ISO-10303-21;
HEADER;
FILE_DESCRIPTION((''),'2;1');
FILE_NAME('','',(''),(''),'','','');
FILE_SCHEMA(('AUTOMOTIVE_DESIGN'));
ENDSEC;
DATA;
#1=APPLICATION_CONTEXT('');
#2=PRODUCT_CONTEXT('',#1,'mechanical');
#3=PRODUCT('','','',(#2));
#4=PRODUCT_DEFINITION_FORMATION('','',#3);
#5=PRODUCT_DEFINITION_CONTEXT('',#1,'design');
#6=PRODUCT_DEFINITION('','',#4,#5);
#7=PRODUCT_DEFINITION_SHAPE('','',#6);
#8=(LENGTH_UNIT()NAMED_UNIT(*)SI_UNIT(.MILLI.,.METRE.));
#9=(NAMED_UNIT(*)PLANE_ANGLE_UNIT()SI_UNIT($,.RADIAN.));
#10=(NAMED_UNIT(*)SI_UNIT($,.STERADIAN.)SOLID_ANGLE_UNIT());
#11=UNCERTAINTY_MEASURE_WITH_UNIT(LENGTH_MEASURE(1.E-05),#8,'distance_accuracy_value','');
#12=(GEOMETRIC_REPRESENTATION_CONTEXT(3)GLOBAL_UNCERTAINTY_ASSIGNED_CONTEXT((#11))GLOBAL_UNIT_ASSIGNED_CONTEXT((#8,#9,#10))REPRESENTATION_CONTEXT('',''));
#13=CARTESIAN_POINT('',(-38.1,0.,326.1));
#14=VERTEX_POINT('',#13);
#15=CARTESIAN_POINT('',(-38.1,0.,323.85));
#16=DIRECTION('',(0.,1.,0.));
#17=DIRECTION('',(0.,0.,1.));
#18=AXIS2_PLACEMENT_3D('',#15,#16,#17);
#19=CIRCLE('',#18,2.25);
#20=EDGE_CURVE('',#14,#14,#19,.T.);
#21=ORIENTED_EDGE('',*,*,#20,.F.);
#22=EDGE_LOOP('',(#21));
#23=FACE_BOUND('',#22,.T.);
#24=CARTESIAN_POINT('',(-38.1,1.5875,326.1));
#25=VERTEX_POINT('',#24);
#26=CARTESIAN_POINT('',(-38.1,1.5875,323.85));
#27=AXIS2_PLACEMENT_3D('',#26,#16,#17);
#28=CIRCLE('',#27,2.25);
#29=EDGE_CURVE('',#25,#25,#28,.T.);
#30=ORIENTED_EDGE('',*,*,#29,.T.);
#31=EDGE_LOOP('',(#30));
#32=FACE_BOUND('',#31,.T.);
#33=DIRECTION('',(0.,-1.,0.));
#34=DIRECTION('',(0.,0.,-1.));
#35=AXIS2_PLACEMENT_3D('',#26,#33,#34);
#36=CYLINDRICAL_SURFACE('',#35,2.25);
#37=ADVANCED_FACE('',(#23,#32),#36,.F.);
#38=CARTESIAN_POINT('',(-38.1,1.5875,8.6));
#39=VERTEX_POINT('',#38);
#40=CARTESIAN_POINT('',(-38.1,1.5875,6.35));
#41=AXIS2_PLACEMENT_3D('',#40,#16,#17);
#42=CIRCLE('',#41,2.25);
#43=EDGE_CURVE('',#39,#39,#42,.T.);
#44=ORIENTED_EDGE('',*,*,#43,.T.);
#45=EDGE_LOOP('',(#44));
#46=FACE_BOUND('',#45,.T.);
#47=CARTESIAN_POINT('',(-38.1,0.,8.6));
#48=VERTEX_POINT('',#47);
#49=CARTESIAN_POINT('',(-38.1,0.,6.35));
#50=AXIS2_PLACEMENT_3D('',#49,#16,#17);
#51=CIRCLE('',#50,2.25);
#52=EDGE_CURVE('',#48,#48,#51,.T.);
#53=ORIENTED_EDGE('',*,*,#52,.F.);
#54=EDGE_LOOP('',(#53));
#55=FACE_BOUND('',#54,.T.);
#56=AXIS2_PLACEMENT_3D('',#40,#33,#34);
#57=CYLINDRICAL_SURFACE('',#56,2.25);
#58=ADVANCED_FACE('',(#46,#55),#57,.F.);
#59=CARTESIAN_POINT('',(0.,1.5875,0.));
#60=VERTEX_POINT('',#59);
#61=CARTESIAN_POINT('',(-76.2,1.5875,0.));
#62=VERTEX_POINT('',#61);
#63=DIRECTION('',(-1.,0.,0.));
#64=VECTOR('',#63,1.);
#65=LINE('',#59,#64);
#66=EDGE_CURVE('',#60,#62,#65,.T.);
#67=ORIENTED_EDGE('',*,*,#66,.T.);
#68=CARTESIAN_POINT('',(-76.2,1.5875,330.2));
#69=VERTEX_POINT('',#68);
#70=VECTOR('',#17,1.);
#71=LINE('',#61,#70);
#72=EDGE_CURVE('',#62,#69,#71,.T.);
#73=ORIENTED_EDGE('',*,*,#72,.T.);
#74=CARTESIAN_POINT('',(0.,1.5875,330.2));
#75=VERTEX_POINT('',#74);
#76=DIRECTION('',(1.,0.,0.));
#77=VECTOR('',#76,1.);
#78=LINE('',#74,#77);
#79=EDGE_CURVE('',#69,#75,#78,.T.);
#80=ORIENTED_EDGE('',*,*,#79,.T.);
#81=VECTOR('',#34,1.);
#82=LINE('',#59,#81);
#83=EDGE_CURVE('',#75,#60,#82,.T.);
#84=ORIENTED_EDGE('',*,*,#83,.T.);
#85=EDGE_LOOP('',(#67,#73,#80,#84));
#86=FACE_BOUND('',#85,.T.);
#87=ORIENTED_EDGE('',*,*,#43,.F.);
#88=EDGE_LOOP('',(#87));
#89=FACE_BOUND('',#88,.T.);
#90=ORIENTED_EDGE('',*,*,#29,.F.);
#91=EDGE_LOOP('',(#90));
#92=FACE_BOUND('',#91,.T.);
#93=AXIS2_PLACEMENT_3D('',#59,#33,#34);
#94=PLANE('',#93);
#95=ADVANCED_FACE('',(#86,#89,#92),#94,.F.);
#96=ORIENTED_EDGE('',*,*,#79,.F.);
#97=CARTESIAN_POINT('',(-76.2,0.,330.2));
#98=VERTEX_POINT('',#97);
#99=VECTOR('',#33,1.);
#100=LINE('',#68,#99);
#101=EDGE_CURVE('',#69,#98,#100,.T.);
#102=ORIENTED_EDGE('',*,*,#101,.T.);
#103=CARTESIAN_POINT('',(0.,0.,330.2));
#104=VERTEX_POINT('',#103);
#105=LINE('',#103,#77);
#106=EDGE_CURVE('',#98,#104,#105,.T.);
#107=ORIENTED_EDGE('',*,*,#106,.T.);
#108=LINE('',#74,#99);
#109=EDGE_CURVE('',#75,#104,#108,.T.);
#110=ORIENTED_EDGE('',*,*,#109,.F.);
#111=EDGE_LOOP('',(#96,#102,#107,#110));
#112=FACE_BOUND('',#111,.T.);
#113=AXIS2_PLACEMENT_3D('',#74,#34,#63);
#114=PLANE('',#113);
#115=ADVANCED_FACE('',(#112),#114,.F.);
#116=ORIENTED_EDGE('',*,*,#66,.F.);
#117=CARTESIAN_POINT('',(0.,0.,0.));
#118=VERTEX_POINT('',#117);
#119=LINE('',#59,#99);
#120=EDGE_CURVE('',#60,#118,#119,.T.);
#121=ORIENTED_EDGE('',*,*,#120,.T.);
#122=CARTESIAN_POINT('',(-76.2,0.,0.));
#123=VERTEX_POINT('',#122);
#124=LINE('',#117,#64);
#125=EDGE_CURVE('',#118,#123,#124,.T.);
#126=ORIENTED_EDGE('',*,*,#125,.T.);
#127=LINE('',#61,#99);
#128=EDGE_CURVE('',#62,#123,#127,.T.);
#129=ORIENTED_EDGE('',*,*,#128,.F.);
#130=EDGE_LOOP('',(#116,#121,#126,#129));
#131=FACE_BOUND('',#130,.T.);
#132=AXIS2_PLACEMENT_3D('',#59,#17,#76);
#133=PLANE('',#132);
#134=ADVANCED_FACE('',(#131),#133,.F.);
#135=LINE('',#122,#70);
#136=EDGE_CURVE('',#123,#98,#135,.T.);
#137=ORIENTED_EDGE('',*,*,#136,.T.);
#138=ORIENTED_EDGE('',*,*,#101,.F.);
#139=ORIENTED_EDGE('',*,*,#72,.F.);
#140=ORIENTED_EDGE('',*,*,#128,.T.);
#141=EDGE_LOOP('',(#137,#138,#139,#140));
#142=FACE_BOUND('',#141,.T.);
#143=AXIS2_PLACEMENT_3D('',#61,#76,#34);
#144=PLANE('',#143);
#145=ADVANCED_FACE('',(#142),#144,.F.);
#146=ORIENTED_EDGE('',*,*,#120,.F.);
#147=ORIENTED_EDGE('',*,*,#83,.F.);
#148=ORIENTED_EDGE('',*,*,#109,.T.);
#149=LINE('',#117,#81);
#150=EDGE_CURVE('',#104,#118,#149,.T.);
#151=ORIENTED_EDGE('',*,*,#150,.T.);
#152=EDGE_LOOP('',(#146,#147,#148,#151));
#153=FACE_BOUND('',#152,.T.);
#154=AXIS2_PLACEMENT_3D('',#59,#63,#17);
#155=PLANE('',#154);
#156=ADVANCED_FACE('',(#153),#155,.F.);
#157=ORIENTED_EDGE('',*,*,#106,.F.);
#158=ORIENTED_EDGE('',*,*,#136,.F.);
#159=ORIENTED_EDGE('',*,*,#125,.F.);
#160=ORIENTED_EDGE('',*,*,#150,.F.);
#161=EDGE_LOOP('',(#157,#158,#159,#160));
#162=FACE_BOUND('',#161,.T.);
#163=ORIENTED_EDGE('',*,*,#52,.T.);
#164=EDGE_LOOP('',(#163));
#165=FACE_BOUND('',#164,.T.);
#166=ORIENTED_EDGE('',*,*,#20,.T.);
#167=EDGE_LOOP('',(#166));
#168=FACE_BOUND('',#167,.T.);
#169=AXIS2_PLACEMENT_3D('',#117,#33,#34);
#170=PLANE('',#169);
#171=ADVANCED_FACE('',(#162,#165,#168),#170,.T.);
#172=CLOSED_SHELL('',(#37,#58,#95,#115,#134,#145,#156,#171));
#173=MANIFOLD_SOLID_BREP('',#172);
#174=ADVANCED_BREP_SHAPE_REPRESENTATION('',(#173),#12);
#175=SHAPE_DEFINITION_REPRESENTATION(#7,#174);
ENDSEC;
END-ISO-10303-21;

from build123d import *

# Parameters (mm, degrees)
SKETCH1_W           = 76.2
SKETCH1_H           = 330.2
SKETCH1_R           = 2.25
BOSS_EXTRUDE1_DEPTH = 1.5875


with BuildPart() as part:
    # Sketch1 → Boss-Extrude1 (new body)
    with BuildSketch(Plane(origin=(0, 0, 0), x_dir=(1, 0, 0), z_dir=(0, 1, 0))):
        with Locations((-38.1, -165.1)):
            Rectangle(SKETCH1_W, SKETCH1_H)
        with Locations(Location((-38.1, -6.35, 0), (0, 0, 270))):
            Circle(SKETCH1_R, mode=Mode.SUBTRACT)
        with Locations(Location((-38.1, -323.85, 0), (0, 0, 270))):
            Circle(SKETCH1_R, mode=Mode.SUBTRACT)
    extrude(amount=BOSS_EXTRUDE1_DEPTH)


solid = part.part
